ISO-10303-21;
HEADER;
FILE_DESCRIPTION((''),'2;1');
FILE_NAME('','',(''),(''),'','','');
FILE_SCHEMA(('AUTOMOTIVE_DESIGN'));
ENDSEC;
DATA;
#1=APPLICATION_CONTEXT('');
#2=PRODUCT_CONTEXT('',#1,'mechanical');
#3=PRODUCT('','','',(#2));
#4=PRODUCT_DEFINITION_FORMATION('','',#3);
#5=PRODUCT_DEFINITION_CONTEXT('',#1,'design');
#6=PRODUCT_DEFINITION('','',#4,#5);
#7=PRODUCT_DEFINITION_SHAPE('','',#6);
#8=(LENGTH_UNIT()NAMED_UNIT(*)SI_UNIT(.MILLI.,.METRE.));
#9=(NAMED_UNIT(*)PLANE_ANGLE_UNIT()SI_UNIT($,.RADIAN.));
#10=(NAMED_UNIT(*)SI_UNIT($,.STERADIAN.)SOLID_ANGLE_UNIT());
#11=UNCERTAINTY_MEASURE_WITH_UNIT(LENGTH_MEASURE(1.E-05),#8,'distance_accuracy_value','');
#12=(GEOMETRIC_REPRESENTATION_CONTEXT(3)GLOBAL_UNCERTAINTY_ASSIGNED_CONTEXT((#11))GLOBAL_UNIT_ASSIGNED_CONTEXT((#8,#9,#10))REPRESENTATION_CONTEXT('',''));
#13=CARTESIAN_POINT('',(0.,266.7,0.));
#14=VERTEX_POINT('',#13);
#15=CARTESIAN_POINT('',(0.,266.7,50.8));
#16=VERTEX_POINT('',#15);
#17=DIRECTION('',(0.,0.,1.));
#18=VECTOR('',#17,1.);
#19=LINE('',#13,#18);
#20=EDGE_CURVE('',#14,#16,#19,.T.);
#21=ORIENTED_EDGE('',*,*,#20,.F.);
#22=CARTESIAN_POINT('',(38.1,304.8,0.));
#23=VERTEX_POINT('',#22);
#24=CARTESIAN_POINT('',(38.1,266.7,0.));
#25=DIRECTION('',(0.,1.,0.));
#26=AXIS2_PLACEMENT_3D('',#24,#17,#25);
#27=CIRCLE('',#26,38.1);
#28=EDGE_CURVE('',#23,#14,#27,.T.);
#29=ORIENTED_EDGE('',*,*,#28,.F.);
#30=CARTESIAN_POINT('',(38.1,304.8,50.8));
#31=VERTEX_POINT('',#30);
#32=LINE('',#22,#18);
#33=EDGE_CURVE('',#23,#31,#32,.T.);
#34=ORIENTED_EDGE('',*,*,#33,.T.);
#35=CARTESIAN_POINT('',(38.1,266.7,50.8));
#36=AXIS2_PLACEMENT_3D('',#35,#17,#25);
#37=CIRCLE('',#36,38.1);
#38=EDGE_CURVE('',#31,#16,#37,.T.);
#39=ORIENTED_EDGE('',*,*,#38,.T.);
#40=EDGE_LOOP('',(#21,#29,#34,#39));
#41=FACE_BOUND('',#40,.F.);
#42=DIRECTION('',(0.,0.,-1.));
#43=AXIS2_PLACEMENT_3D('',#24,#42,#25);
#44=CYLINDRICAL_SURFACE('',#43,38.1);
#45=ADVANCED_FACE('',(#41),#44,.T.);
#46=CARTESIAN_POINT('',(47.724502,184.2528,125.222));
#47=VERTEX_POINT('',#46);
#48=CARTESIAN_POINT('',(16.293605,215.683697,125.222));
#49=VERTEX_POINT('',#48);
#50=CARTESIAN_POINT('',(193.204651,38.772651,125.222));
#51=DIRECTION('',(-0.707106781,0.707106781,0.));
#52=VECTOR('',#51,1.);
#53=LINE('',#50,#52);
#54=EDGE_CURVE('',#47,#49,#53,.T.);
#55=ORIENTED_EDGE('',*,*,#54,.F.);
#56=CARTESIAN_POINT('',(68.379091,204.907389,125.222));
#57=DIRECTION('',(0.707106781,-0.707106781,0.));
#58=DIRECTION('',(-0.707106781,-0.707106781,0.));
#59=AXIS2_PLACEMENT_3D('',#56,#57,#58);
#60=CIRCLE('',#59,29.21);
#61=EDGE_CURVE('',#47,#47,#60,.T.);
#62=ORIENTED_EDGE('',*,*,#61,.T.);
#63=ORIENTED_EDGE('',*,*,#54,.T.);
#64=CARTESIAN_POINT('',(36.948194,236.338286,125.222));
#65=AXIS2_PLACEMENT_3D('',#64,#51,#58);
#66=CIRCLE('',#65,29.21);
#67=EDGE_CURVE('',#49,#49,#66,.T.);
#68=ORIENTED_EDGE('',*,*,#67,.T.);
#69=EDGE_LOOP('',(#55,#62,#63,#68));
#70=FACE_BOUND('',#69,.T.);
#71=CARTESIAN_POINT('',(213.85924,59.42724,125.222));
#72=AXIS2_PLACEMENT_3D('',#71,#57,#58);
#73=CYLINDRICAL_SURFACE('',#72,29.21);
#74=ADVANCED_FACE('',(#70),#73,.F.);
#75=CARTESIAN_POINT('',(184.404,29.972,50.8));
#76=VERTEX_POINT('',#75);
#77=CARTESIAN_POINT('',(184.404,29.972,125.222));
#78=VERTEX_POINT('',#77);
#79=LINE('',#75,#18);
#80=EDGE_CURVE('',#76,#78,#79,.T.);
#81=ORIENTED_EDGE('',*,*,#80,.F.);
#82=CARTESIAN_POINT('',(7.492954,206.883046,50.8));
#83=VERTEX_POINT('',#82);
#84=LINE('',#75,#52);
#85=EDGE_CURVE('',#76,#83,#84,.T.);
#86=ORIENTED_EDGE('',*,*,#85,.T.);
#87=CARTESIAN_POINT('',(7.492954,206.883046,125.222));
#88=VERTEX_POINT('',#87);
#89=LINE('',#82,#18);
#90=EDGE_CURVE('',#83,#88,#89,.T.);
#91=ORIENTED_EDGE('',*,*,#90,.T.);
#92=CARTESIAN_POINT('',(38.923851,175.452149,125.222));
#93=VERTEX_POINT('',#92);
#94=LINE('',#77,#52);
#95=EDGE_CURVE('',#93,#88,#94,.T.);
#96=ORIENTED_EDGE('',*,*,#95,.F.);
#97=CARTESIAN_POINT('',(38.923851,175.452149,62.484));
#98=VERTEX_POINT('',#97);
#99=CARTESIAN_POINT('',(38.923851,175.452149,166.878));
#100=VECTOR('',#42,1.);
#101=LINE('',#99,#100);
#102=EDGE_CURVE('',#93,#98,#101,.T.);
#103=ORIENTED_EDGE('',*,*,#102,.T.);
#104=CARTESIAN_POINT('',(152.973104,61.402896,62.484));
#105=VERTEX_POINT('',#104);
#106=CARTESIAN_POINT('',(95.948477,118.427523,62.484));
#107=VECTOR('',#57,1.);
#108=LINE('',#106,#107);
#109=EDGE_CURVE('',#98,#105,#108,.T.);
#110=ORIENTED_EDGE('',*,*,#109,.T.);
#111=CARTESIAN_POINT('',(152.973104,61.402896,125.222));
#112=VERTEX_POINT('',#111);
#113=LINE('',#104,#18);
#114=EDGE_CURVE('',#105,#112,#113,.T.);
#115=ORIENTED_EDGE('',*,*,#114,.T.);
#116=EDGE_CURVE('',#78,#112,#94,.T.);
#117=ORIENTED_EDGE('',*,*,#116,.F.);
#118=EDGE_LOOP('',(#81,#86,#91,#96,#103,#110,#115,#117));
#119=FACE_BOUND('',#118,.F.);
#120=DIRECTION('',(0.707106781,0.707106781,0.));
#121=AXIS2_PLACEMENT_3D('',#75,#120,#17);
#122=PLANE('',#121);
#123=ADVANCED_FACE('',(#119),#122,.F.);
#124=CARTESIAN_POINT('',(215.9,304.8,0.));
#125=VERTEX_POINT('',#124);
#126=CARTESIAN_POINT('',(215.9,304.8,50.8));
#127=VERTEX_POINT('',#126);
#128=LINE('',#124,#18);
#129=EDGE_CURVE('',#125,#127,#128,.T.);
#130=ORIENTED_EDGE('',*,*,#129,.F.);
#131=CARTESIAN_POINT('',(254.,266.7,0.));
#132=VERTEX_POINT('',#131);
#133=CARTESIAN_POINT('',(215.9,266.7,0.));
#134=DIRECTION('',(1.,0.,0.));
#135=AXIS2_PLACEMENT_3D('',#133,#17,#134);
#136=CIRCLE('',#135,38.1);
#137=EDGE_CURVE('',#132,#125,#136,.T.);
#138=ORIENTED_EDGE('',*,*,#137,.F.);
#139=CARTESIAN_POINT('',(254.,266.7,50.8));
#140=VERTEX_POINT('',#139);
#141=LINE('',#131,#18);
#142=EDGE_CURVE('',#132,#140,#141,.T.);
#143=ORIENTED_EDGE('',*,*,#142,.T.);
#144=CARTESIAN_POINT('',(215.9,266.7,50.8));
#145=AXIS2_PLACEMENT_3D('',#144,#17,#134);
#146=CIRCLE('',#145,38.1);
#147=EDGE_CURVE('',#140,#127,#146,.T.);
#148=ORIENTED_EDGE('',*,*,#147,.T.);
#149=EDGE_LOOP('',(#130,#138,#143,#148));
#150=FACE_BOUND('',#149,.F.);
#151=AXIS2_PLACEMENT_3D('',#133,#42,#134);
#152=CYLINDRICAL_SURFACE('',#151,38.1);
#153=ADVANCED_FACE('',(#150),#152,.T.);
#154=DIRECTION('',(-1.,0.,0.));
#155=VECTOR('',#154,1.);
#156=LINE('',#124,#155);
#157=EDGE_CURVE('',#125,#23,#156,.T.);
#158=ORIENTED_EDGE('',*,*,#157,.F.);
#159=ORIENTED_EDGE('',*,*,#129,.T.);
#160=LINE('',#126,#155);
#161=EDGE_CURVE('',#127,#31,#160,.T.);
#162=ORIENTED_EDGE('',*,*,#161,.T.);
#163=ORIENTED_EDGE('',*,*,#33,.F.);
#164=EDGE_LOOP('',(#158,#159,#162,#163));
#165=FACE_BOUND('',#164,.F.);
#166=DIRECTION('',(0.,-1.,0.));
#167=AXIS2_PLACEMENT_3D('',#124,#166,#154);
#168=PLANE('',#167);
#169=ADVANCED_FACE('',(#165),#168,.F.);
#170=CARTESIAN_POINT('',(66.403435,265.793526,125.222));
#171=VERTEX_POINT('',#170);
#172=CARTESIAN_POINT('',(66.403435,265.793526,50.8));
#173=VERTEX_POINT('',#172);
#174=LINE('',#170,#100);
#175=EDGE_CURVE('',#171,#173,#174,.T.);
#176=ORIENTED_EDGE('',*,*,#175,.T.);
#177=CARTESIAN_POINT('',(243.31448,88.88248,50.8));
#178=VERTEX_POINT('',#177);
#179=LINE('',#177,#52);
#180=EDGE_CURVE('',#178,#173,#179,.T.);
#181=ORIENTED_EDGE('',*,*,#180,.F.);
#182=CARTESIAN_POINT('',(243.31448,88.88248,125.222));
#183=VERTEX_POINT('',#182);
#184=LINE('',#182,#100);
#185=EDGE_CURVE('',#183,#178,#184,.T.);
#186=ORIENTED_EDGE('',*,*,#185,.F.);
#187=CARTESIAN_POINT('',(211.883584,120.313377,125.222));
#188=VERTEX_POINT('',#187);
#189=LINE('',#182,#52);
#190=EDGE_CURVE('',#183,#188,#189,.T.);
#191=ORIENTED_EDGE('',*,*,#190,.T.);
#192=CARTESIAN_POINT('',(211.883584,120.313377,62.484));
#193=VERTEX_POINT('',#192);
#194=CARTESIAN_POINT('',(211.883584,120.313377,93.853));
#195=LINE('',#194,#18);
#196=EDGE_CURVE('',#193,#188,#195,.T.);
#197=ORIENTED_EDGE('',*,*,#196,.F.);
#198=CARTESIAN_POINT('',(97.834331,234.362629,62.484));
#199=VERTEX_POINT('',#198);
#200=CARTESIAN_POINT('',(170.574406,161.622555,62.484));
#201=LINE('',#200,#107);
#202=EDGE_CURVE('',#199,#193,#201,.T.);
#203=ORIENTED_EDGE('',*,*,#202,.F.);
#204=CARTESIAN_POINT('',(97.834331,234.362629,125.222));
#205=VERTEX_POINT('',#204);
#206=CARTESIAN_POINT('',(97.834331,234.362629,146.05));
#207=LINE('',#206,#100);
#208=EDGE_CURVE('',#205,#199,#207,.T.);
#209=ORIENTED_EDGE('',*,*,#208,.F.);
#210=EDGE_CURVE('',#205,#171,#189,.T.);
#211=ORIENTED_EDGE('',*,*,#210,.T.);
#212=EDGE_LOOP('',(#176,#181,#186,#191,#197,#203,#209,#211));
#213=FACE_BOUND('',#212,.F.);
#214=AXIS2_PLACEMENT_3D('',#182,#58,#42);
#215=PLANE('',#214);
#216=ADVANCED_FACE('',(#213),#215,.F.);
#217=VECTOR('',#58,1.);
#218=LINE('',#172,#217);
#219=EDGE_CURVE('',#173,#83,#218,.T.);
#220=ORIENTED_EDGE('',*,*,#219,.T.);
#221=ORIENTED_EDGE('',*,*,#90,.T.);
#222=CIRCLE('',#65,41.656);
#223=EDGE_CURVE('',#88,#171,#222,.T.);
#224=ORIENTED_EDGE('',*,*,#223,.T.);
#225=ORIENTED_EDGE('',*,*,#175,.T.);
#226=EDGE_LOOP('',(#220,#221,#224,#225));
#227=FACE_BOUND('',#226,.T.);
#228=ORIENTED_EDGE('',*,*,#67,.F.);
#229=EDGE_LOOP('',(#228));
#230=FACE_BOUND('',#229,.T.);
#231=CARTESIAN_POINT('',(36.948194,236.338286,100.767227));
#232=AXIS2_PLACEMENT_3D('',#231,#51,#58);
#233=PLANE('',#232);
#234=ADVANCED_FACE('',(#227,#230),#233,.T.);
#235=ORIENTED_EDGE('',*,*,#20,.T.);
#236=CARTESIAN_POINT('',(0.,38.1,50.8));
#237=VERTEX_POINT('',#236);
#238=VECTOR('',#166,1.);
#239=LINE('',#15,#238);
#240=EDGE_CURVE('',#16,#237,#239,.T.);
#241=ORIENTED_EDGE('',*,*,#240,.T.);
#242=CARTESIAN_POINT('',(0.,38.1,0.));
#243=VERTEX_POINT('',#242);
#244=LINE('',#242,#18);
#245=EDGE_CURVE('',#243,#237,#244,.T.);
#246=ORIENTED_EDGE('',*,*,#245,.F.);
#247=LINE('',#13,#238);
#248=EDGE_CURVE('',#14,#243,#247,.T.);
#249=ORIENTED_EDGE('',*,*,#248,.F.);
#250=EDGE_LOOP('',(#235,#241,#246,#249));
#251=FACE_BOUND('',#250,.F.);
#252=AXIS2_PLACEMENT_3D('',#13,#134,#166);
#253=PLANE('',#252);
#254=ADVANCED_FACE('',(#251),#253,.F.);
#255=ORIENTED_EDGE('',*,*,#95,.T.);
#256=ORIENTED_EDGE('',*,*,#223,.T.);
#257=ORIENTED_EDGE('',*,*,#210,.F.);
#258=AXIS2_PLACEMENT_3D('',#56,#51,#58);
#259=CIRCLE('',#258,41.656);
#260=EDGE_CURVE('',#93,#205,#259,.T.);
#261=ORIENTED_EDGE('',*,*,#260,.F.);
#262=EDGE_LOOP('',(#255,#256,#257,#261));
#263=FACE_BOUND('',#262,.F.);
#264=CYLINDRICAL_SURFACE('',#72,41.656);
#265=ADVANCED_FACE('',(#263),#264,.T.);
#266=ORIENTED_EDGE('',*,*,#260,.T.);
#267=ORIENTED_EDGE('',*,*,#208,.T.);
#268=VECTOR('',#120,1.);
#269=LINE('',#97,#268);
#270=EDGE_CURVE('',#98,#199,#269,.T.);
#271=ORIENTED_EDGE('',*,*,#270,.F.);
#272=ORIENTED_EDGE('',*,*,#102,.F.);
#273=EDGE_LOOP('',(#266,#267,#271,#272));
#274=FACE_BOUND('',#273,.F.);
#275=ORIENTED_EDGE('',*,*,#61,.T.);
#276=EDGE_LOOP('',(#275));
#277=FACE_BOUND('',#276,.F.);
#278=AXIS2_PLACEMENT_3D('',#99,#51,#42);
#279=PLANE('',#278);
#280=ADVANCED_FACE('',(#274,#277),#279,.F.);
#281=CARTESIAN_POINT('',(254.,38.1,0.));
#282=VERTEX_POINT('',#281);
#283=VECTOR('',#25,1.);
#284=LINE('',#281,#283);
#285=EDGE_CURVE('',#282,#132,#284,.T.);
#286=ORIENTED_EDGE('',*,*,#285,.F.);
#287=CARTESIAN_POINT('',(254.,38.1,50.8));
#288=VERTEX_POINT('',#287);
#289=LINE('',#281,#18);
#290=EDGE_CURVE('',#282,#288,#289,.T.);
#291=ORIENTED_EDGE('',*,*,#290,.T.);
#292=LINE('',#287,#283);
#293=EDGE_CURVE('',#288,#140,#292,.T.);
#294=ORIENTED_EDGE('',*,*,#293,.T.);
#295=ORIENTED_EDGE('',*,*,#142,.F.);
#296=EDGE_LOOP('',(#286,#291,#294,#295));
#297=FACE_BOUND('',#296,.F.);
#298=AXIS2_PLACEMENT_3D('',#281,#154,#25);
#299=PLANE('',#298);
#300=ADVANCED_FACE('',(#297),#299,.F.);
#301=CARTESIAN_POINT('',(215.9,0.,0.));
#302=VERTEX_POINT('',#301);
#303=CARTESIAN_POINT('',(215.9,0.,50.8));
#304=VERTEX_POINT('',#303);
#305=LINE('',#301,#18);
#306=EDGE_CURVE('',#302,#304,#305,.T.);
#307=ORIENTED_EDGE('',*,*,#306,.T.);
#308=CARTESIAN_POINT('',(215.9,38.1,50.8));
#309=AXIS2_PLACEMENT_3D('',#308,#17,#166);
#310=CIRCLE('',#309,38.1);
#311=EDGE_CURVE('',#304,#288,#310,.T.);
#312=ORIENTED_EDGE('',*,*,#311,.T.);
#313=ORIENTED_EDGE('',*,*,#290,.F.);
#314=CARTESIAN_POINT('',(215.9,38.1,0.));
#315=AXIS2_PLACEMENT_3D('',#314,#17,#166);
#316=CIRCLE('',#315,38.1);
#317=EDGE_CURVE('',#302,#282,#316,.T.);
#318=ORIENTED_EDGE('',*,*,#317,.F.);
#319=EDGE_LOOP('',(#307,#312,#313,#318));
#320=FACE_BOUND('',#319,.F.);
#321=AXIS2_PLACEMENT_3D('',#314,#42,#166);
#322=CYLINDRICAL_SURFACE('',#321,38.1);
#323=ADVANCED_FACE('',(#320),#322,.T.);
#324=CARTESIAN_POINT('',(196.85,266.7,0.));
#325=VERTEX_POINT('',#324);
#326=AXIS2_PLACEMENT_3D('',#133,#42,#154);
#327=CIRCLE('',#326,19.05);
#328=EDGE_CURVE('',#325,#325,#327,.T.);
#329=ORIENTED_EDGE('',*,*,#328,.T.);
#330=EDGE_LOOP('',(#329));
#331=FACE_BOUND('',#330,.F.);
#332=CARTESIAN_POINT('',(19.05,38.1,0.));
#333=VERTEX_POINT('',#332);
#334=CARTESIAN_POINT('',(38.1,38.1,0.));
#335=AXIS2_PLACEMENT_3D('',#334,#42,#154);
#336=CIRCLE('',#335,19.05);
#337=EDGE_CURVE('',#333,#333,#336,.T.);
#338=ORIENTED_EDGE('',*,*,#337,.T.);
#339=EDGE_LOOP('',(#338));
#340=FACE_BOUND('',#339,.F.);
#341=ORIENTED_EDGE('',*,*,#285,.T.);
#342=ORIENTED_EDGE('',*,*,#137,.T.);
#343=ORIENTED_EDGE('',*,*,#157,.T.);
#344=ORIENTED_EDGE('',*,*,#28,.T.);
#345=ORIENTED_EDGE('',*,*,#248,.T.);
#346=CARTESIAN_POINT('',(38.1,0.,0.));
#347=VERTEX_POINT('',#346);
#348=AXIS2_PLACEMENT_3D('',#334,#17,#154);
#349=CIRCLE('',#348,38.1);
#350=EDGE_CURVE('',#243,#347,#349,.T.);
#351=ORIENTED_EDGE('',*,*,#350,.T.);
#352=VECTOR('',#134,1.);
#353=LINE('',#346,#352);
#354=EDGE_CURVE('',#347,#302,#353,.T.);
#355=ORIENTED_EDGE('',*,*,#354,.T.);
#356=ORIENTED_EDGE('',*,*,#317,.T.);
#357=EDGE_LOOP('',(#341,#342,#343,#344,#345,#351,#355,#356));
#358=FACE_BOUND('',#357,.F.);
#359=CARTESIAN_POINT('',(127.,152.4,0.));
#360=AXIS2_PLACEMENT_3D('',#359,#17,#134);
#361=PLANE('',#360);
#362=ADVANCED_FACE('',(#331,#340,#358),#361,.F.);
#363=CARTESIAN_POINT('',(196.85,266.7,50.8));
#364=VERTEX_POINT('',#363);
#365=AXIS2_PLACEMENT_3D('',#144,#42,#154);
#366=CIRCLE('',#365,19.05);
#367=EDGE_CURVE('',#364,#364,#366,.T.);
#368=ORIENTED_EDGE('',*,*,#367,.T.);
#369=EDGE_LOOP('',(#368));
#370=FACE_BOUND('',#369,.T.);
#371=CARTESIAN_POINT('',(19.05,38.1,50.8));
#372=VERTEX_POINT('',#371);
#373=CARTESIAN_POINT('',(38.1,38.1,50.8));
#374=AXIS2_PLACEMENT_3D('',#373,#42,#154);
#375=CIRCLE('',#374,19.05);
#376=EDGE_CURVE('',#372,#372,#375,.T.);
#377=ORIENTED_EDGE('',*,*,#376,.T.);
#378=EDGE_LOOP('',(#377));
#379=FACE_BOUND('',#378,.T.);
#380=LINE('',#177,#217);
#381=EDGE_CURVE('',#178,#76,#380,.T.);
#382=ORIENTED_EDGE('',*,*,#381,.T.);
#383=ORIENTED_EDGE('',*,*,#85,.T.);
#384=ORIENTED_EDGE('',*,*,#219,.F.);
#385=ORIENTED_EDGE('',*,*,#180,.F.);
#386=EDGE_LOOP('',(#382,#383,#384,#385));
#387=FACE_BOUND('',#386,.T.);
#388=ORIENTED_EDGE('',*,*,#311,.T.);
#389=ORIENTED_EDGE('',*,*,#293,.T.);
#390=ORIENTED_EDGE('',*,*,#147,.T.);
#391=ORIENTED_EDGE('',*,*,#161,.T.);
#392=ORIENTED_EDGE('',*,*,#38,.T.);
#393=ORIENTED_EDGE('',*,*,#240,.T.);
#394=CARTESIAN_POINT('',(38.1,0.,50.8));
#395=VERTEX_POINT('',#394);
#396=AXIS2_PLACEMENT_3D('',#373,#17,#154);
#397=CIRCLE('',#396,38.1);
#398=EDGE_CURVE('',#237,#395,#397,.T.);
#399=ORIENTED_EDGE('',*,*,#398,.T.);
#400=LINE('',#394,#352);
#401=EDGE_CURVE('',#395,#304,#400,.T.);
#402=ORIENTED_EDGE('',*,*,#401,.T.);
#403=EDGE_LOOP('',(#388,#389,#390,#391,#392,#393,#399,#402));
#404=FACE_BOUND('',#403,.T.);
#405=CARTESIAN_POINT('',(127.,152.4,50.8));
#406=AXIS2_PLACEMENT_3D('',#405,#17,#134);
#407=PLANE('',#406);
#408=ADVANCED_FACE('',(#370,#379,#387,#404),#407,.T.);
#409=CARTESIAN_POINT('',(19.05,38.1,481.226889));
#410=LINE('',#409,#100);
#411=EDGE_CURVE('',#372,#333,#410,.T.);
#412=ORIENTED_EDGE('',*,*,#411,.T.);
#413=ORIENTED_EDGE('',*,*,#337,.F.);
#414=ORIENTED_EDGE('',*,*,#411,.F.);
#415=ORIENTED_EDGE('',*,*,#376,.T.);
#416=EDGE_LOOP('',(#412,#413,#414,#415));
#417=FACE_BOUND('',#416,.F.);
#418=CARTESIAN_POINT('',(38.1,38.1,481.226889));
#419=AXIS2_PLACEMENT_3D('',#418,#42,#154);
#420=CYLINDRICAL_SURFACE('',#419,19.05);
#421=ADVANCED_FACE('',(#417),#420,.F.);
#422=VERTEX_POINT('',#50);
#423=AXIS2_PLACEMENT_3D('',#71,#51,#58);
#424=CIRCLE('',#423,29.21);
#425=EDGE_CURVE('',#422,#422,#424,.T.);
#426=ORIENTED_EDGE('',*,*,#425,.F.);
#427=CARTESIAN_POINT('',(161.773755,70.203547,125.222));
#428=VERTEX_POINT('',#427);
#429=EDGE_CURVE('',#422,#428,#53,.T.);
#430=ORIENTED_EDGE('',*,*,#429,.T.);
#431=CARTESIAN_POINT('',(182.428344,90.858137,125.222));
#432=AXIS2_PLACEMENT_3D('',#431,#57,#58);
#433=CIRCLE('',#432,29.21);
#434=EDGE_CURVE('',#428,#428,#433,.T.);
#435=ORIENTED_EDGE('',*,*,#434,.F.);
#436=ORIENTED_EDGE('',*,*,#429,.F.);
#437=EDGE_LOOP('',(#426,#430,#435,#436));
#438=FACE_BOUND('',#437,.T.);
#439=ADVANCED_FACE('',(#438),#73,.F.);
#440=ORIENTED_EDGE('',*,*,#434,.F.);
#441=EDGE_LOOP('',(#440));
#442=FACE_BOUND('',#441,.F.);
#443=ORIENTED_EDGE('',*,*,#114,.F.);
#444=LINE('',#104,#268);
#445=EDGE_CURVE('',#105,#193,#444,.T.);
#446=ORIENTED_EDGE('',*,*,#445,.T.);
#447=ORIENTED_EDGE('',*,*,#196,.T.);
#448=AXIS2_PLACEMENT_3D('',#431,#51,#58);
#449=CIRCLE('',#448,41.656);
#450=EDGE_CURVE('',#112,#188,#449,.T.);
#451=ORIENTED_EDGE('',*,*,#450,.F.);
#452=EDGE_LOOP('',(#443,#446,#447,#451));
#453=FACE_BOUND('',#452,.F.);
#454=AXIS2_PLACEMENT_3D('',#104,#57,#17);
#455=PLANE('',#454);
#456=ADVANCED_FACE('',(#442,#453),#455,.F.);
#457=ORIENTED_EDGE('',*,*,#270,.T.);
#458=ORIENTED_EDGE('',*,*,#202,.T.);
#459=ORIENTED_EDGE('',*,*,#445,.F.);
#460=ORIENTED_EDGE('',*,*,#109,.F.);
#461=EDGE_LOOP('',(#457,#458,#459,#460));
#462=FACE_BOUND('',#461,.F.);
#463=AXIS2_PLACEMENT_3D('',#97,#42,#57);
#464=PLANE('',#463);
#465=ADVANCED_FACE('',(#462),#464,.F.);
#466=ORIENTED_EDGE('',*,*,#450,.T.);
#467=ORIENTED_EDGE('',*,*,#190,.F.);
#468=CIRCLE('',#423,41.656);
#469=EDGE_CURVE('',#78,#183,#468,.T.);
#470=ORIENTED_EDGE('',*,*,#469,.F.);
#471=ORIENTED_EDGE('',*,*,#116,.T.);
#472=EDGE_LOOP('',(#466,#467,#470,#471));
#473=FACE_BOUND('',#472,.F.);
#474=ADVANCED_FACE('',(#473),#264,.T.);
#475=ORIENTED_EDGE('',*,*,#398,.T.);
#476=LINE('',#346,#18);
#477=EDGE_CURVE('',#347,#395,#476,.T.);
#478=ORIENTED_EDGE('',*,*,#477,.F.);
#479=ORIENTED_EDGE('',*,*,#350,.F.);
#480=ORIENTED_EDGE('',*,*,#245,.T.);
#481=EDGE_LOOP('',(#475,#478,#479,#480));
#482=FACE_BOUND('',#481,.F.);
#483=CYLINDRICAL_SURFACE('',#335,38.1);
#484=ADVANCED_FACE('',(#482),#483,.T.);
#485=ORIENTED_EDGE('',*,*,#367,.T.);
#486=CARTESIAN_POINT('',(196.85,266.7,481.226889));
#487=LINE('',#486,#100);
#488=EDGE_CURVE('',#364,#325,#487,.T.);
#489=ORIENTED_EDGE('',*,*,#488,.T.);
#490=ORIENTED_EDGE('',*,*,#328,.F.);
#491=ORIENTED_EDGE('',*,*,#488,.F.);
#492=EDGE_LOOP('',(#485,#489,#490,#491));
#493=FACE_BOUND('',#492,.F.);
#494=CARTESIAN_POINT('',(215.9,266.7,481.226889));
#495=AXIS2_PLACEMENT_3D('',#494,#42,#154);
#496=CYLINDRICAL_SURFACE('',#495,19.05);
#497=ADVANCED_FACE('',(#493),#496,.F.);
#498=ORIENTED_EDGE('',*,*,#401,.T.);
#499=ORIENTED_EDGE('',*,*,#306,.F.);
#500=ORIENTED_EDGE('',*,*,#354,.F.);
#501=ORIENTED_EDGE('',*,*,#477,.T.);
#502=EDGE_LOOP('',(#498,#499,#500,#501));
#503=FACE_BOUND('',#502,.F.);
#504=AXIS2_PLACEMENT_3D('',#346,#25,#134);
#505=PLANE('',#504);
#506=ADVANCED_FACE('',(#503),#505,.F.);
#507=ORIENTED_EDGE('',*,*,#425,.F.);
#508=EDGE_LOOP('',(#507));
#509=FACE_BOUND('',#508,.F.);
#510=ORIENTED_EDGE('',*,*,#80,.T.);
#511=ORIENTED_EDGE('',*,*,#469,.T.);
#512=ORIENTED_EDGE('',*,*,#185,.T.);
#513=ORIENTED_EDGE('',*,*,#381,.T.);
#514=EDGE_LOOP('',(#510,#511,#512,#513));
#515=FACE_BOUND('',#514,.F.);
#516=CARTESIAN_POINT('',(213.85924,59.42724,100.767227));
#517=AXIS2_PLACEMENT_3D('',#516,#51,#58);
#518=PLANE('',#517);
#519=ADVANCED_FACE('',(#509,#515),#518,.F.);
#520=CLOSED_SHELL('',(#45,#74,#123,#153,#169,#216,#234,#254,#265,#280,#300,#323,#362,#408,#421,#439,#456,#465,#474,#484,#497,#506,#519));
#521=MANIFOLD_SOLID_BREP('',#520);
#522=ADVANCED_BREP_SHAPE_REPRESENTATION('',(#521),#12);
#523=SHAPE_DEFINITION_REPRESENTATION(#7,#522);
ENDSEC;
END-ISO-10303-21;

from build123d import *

# Parameters (mm, degrees)
F1_DEPTH = 50.8
F4_R     = 29.21
F5_DEPTH = 250.19
F6_W     = 161.29
F6_H     = 41.656
F6_H_2   = 62.738
F7_DEPTH = 243.5455460034
F8_D     = 38.1


with BuildPart() as f1:
    # F0 (on Top) → F1 (new body)
    with BuildSketch(Plane.XY):
        with BuildLine():
            ThreePointArc((0, 38.1), (11.1592316368, 11.1592316368), (38.1, 0))
            Line((38.1, 0), (215.9, 0))
            ThreePointArc((215.9, 0), (242.8407683632, 11.1592316368), (254, 38.1))
            Line((254, 38.1), (254, 266.7))
            ThreePointArc((254, 266.7), (242.8407683632, 293.6407683632), (215.9, 304.8))
            Line((215.9, 304.8), (38.1, 304.8))
            ThreePointArc((38.1, 304.8), (11.1592316368, 293.6407683632), (0, 266.7))
            Line((0, 266.7), (0, 38.1))
        make_face()
    extrude(amount=F1_DEPTH)

    # F4 (on line) → F5 (join, through all)
    with BuildSketch(Plane(origin=(77.216, -77.216, 0), x_dir=(-0.7071067812, -0.7071067812, 0), z_dir=(-0.7071067812, 0.7071067812, 0))):
        with BuildLine():
            Line((-234.8987233236, 125.222), (-234.8987233236, 50.8))
            Line((-234.8987233236, 50.8), (-151.5867233236, 50.8))
            Line((-151.5867233236, 50.8), (-151.5867233236, 125.222))
            ThreePointArc((-151.5867233236, 125.222), (-193.2427233236, 166.878), (-234.8987233236, 125.222))
        make_face()
        with Locations((-193.2427233236, 125.222)):
            Circle(F4_R, mode=Mode.SUBTRACT)
    extrude(amount=F5_DEPTH)

    # F6 (on face) → F7 (cut, through all)
    with BuildSketch(Plane(origin=(107.188, 107.188, 0), x_dir=(0.7071067812, -0.7071067812, 0), z_dir=(-0.7071067812, -0.7071067812, 0))):
        with Locations((-15.8950855678, 146.05)):
            Rectangle(F6_W, F6_H)
        with Locations((-15.8950855678, 93.853)):
            Rectangle(F6_W, F6_H_2)
    extrude(amount=-F7_DEPTH, mode=Mode.SUBTRACT)

    # F8 (through all)
    with Locations(Plane.XY.offset(50.8)):
        with Locations((38.1, 38.1), (215.9, 266.7)):
            Hole(F8_D / 2)


solid = f1.part
